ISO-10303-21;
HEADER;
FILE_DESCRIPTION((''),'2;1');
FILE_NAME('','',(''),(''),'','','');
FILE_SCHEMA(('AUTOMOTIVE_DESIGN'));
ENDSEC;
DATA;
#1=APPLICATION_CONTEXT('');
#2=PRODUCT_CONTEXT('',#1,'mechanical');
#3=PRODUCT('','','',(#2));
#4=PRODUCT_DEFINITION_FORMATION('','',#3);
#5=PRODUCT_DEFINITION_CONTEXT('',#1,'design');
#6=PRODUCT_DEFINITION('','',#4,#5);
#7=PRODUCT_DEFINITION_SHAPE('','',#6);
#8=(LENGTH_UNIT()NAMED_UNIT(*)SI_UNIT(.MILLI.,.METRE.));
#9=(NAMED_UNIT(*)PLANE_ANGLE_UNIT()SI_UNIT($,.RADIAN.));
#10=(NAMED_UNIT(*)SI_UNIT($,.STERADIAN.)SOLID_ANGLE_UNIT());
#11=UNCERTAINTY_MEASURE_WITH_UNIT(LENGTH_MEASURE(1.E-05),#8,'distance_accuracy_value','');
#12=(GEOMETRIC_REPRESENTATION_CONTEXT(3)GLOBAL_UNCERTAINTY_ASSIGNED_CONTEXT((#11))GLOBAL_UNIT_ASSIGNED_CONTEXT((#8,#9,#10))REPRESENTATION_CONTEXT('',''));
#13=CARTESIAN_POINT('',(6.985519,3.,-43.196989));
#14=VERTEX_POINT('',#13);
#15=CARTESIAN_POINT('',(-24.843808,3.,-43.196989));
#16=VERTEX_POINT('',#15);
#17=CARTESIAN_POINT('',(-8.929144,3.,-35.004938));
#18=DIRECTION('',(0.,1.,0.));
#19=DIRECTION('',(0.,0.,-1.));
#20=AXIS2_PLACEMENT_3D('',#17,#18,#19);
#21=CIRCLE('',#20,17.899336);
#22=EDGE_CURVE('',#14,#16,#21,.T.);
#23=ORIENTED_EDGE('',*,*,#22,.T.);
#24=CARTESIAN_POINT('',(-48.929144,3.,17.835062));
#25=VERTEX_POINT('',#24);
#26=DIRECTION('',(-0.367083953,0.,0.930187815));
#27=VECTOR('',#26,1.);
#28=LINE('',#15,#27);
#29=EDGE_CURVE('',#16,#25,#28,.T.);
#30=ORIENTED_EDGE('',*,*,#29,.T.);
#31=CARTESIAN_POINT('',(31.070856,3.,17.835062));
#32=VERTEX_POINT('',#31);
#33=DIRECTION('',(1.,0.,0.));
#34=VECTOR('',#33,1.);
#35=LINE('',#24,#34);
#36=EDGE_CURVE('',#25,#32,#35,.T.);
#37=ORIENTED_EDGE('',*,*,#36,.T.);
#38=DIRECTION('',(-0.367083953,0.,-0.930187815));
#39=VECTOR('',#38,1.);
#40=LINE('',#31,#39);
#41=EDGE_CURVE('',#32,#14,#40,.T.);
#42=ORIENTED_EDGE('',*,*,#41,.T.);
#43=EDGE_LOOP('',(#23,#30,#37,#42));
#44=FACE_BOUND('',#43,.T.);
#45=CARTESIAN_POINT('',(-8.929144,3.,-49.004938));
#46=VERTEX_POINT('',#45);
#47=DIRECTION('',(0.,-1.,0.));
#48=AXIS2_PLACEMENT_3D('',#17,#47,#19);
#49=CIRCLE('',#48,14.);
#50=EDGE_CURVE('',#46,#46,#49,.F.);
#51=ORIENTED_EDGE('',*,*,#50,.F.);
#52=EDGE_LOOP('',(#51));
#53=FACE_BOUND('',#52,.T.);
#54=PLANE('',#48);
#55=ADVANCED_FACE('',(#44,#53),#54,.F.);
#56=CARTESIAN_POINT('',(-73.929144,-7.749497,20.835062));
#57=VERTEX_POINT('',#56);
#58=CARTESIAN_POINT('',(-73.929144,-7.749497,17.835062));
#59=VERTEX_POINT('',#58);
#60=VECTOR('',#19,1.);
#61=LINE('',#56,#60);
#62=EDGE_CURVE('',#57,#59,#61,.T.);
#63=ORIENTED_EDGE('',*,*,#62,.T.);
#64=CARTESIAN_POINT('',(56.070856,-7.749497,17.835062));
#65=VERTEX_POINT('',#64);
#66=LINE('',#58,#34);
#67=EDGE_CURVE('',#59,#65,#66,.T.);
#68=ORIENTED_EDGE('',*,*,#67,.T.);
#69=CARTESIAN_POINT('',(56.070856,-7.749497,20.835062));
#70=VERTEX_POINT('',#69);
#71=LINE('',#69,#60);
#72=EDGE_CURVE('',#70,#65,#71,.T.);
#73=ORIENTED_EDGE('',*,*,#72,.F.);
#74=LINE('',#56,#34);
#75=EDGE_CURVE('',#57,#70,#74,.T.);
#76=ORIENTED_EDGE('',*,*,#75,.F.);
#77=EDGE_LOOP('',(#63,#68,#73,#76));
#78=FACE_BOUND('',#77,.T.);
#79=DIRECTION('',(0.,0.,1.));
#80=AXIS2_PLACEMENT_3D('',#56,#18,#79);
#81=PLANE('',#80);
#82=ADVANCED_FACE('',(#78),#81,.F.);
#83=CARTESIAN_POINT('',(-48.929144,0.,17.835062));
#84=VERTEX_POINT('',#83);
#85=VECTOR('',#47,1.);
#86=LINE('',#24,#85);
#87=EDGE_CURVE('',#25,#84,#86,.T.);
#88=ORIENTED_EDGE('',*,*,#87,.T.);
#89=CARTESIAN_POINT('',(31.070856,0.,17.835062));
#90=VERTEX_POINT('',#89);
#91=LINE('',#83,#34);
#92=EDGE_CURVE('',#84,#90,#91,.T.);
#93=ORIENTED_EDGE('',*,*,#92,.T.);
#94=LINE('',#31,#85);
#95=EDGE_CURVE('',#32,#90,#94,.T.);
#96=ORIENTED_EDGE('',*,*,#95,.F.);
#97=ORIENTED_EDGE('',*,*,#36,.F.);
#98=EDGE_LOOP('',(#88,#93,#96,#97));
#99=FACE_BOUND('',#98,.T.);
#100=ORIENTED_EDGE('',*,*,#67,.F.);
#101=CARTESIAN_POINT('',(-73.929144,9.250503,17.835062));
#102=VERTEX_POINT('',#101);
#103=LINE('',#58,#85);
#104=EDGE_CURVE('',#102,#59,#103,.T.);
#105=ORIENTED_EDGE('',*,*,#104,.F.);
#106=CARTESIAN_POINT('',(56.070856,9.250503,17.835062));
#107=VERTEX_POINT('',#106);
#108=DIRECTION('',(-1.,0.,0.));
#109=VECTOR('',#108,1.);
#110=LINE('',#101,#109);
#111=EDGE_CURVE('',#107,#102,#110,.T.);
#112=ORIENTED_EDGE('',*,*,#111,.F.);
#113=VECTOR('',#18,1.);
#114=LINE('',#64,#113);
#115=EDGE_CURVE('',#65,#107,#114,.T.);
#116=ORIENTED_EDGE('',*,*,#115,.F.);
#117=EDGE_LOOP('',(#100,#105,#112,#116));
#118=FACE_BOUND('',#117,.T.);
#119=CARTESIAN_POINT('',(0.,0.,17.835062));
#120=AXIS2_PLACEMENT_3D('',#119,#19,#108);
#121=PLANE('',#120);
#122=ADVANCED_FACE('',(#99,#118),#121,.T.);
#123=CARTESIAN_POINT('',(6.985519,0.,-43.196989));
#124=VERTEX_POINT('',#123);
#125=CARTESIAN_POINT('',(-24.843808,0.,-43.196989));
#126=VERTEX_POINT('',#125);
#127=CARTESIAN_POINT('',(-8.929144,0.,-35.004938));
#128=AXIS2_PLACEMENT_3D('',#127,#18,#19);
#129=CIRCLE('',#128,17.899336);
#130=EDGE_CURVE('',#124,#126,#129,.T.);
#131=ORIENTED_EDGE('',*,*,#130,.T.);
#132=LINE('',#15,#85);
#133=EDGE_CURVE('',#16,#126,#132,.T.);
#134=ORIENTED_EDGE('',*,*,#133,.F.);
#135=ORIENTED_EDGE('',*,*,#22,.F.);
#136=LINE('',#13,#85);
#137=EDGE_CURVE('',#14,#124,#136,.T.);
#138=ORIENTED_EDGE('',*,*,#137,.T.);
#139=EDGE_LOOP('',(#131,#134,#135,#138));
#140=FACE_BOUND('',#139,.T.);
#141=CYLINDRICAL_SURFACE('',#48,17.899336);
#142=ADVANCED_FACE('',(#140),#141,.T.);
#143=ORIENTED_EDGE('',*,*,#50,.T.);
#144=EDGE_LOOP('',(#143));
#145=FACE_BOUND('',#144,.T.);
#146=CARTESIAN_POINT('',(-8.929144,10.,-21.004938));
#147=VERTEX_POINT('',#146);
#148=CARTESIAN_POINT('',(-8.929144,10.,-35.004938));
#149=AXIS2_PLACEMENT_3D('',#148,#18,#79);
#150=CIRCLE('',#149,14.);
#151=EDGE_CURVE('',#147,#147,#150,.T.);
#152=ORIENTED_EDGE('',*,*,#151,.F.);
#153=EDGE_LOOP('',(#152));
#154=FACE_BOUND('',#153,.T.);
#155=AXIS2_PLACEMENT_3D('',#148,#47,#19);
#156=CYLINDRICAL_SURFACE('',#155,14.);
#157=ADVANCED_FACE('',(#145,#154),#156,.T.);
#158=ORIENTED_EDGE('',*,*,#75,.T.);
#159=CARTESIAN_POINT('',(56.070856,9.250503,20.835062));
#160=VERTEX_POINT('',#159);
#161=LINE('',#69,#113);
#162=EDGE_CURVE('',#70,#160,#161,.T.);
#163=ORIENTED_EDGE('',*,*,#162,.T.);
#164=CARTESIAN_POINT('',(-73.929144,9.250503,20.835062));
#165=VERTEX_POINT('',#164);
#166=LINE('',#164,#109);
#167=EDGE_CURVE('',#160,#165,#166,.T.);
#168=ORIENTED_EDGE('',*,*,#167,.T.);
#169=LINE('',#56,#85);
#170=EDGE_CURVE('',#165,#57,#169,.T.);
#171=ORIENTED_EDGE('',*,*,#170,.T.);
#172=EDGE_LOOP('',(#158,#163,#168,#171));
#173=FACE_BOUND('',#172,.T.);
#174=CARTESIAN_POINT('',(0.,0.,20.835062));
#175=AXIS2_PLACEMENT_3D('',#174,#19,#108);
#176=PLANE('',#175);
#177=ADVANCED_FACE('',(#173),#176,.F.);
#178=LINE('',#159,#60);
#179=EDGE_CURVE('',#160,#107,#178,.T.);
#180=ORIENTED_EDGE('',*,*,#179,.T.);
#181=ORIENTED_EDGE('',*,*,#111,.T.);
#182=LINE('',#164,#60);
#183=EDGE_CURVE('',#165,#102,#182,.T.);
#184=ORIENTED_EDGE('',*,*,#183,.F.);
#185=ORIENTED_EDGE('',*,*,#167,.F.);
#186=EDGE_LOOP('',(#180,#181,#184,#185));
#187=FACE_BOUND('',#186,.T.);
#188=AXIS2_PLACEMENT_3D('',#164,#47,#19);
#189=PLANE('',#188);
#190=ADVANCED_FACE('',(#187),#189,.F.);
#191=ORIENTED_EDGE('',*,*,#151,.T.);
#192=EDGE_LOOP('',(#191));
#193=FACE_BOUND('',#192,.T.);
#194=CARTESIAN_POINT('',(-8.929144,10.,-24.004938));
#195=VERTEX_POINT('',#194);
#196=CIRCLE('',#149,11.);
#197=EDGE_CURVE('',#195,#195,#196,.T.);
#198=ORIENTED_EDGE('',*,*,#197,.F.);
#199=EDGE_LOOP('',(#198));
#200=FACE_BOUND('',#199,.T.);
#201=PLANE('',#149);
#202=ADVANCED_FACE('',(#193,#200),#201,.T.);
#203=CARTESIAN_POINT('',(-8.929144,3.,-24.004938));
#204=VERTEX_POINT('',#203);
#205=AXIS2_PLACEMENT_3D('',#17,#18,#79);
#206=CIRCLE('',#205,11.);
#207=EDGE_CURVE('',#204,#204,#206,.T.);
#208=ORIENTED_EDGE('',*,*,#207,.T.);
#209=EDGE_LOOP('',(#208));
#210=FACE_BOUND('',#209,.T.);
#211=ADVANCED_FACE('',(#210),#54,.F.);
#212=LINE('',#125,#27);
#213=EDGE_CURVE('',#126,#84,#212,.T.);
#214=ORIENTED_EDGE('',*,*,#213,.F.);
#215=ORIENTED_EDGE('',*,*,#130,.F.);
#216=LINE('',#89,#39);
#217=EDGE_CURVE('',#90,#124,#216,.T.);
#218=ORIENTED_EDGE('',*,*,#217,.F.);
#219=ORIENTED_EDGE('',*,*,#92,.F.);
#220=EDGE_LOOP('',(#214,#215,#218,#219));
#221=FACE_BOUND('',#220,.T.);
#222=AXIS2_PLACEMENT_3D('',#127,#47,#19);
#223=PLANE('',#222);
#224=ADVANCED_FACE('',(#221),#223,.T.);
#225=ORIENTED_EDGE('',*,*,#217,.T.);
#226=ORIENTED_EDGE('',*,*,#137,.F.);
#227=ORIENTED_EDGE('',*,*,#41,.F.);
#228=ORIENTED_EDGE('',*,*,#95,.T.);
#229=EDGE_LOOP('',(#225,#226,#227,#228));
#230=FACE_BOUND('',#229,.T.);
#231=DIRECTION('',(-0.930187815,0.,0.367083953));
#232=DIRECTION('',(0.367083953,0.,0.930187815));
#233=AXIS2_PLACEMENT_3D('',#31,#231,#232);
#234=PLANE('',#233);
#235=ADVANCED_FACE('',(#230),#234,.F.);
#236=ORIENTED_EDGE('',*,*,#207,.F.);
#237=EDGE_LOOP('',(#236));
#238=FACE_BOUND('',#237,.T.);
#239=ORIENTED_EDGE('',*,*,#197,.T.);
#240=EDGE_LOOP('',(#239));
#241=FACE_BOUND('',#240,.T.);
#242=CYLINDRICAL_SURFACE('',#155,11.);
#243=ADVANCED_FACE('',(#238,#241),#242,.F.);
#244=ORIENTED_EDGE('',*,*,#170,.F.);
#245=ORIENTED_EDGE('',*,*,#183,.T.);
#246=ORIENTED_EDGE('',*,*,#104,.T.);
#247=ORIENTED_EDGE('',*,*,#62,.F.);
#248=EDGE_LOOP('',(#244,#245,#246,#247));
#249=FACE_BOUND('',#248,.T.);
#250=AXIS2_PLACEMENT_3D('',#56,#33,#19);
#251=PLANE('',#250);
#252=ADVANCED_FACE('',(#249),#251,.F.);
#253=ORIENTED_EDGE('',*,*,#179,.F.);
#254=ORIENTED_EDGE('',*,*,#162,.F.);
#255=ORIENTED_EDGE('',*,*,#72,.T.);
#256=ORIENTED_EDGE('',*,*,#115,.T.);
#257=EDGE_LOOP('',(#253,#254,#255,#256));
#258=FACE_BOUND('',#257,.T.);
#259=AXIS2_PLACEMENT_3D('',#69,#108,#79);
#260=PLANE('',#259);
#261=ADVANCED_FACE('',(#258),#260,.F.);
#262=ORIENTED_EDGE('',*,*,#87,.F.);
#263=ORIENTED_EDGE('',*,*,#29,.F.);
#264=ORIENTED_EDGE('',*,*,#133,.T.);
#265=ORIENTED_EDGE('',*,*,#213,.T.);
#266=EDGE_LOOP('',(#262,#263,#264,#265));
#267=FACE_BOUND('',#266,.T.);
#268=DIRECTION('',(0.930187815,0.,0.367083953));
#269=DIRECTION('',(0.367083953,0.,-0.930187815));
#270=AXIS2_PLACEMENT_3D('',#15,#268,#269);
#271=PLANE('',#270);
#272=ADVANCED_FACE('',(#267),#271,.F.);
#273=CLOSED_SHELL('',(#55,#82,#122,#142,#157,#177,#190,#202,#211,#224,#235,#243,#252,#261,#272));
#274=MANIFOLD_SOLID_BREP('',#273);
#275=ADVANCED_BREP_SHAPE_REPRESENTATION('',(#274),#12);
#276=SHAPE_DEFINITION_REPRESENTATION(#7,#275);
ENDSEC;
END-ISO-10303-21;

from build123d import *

# Parameters (mm, degrees)
BOSS_EXTRUDE1_DEPTH = 3
SKETCH2_R           = 14
SKETCH2_R_2         = 11
BOSS_EXTRUDE2_DEPTH = 7
SKETCH3_W           = 130
SKETCH3_H           = 17
BOSS_EXTRUDE3_DEPTH = 3


with BuildPart() as part:
    # Sketch1 → Boss-Extrude1 (new body)
    with BuildSketch(Plane(origin=(0, 0, 0), x_dir=(1, 0, 0), z_dir=(0, 1, 0))):
        with BuildLine():
            Line((-48.929144451, -17.835062273), (31.070855549, -17.835062273))
            Line((31.070855549, -17.835062273), (6.985518971, 43.196988966))
            ThreePointArc((6.985518971, 43.196988966), (-8.929144451, 52.904273338), (-24.843807874, 43.196988966))
            Line((-24.843807874, 43.196988966), (-48.929144451, -17.835062273))
        make_face()
    extrude(amount=BOSS_EXTRUDE1_DEPTH)

    # Sketch2 → Boss-Extrude2 (add)
    with BuildSketch(Plane(origin=(0, 3, 0), x_dir=(1, 0, 0), z_dir=(0, 1, 0))):
        with Locations((-8.929144451, 35.004937727)):
            Circle(SKETCH2_R)
        with Locations((-8.929144451, 35.004937727)):
            Circle(SKETCH2_R_2, mode=Mode.SUBTRACT)
    extrude(amount=BOSS_EXTRUDE2_DEPTH)

    # Sketch3 → Boss-Extrude3 (add)
    with BuildSketch(Plane.XY.offset(17.835062273)):
        with Locations((-8.929144451, 0.75050315)):
            Rectangle(SKETCH3_W, SKETCH3_H)
    extrude(amount=BOSS_EXTRUDE3_DEPTH)


solid = part.part
